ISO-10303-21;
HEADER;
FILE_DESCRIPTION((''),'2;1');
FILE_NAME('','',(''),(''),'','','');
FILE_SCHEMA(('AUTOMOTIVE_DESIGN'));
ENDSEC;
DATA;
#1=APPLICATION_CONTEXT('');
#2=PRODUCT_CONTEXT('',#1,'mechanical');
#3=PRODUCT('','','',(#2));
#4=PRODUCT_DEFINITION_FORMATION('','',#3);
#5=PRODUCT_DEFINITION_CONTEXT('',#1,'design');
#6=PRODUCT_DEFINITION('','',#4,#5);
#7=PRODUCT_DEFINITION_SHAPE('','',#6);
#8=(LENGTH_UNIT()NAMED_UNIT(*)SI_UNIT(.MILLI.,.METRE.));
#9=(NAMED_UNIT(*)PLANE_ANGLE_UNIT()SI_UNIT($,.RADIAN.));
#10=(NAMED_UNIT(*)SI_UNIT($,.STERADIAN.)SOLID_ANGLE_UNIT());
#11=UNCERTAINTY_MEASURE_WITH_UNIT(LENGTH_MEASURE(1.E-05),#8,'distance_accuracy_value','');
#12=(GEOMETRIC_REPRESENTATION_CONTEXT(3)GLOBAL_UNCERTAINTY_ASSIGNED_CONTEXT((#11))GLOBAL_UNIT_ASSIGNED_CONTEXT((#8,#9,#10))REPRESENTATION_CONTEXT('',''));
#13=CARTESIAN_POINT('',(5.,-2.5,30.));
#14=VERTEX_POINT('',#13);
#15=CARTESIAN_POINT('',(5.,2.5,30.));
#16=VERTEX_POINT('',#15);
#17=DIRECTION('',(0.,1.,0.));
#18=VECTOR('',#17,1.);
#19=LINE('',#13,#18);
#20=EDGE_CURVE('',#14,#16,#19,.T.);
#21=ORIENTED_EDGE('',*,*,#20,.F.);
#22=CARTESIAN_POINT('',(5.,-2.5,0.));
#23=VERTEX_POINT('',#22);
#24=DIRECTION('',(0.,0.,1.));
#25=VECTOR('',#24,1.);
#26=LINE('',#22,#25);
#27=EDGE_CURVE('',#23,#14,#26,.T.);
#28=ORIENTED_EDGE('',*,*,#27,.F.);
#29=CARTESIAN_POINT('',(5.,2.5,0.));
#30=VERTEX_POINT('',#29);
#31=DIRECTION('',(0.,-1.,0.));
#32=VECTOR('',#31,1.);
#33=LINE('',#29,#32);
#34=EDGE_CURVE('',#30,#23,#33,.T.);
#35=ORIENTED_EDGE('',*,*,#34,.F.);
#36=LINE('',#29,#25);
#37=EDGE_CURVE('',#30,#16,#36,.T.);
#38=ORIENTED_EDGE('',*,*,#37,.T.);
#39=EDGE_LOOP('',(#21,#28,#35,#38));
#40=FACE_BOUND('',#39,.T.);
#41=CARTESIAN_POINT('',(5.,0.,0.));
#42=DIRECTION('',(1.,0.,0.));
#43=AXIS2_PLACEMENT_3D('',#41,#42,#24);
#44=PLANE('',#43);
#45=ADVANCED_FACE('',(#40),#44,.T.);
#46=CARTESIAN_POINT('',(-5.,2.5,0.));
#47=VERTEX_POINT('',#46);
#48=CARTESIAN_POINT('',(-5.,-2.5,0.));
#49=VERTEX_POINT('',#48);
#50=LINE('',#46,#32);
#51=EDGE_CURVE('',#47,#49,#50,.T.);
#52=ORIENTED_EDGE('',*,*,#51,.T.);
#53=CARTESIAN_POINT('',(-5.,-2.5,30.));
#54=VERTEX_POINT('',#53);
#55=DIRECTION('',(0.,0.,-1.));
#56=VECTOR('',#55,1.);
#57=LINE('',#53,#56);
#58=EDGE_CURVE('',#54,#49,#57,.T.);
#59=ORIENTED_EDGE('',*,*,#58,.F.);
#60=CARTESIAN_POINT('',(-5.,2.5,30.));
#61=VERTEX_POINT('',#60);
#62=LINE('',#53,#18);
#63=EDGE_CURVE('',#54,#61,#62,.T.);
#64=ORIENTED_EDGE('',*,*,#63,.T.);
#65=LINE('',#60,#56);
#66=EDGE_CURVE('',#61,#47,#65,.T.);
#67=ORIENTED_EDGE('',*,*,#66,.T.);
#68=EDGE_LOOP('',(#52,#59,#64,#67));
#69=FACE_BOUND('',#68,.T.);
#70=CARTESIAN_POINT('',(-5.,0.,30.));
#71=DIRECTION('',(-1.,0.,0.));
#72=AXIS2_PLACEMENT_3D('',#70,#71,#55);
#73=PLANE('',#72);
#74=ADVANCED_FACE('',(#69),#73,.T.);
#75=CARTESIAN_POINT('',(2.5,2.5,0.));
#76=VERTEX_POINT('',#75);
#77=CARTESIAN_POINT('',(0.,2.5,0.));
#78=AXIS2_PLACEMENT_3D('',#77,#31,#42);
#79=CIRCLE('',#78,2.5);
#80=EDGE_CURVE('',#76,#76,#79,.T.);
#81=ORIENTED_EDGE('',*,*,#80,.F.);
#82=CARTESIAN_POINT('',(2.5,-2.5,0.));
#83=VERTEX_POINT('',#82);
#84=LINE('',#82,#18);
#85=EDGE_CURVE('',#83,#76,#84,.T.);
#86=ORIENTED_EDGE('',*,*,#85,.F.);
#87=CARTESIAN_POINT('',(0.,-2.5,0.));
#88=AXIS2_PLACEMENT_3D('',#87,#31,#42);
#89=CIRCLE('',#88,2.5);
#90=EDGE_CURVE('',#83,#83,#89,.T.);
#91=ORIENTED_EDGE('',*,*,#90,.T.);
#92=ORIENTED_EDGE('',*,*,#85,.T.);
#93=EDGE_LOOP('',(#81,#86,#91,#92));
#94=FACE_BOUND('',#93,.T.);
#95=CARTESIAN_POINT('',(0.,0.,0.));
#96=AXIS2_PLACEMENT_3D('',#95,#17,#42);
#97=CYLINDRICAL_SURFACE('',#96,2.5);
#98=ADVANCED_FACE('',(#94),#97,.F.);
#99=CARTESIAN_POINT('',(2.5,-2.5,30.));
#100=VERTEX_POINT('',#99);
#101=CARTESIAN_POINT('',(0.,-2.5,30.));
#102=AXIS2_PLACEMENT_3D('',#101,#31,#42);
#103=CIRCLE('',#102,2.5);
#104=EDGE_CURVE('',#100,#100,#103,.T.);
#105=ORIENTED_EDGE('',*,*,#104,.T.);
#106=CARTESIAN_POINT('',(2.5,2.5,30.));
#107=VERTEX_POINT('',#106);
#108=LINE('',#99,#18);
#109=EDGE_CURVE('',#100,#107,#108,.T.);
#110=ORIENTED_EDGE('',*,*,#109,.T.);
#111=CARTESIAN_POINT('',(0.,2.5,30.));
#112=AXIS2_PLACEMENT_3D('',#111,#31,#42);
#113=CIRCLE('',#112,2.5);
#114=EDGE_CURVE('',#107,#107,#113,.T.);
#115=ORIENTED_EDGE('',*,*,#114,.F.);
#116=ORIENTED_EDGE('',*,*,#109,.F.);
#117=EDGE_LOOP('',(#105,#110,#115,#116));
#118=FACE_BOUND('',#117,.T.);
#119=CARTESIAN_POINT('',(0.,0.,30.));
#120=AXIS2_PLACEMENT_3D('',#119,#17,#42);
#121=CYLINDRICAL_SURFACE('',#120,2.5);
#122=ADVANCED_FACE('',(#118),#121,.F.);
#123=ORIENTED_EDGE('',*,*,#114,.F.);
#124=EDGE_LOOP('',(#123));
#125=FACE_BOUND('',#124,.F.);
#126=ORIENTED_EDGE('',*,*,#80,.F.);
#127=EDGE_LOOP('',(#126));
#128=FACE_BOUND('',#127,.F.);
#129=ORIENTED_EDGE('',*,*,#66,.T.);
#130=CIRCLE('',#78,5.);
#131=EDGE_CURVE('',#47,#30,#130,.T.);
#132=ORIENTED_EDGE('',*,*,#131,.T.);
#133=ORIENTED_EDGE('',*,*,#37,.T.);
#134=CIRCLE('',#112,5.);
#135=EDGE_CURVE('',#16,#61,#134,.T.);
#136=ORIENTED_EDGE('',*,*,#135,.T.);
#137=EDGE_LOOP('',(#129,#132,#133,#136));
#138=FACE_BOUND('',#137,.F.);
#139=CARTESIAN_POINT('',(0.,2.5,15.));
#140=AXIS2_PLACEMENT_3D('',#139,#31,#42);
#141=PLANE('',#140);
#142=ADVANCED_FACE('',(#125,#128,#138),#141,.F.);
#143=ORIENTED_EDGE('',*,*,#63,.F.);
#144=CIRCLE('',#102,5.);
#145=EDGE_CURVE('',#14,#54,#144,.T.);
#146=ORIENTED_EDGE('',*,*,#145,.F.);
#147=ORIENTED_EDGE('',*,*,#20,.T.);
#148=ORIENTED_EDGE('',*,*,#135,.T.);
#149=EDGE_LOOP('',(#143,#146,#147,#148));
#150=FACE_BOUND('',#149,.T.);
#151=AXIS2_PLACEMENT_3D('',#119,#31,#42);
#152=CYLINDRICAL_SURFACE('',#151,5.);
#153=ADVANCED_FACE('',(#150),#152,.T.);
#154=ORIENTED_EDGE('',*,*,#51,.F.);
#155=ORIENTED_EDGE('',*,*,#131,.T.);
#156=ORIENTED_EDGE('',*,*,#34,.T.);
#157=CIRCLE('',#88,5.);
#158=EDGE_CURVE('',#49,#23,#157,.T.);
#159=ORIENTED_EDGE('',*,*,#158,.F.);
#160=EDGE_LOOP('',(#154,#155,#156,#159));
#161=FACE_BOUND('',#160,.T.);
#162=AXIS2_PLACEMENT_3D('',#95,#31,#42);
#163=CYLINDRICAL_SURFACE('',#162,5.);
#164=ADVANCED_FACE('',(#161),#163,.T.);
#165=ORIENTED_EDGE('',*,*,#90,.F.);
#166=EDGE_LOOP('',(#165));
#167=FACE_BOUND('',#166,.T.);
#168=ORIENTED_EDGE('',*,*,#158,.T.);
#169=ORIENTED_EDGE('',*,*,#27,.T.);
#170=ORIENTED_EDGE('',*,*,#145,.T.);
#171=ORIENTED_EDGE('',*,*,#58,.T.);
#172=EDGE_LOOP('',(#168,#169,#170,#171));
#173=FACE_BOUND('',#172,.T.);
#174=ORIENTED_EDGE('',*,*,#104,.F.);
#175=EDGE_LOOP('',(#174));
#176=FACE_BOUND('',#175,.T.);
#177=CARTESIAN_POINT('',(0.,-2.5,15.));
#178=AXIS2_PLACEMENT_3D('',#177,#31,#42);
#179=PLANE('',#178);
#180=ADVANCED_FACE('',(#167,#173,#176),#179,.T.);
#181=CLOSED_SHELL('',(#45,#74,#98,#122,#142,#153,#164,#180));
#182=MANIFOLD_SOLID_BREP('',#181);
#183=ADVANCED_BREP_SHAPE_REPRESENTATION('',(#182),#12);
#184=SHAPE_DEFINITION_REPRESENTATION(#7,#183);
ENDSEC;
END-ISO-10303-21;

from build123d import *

# Parameters (mm, degrees)
F0_R     = 2.5
F1_DEPTH = 2.5


with BuildPart() as f1:
    # F0 (on Front) → F1 (new body, symmetric)
    with BuildSketch(Plane.XZ):
        with BuildLine():
            ThreePointArc((-5, 0), (0, 5), (5, 0))
            Line((5, 0), (5, 30))
            ThreePointArc((5, 30), (0, 25), (-5, 30))
            Line((-5, 30), (-5, 0))
        make_face()
        with BuildLine():
            ThreePointArc((-5, 30), (0, 25), (5, 30))
            ThreePointArc((5, 30), (0, 35), (-5, 30))
        make_face()
        with Locations((0, 30)):
            Circle(F0_R, mode=Mode.SUBTRACT)
        with BuildLine():
            ThreePointArc((-5, 0), (0, -5), (5, 0))
            ThreePointArc((5, 0), (0, 5), (-5, 0))
        make_face()
        Circle(F0_R, mode=Mode.SUBTRACT)
    extrude(amount=F1_DEPTH, both=True)


solid = f1.part
